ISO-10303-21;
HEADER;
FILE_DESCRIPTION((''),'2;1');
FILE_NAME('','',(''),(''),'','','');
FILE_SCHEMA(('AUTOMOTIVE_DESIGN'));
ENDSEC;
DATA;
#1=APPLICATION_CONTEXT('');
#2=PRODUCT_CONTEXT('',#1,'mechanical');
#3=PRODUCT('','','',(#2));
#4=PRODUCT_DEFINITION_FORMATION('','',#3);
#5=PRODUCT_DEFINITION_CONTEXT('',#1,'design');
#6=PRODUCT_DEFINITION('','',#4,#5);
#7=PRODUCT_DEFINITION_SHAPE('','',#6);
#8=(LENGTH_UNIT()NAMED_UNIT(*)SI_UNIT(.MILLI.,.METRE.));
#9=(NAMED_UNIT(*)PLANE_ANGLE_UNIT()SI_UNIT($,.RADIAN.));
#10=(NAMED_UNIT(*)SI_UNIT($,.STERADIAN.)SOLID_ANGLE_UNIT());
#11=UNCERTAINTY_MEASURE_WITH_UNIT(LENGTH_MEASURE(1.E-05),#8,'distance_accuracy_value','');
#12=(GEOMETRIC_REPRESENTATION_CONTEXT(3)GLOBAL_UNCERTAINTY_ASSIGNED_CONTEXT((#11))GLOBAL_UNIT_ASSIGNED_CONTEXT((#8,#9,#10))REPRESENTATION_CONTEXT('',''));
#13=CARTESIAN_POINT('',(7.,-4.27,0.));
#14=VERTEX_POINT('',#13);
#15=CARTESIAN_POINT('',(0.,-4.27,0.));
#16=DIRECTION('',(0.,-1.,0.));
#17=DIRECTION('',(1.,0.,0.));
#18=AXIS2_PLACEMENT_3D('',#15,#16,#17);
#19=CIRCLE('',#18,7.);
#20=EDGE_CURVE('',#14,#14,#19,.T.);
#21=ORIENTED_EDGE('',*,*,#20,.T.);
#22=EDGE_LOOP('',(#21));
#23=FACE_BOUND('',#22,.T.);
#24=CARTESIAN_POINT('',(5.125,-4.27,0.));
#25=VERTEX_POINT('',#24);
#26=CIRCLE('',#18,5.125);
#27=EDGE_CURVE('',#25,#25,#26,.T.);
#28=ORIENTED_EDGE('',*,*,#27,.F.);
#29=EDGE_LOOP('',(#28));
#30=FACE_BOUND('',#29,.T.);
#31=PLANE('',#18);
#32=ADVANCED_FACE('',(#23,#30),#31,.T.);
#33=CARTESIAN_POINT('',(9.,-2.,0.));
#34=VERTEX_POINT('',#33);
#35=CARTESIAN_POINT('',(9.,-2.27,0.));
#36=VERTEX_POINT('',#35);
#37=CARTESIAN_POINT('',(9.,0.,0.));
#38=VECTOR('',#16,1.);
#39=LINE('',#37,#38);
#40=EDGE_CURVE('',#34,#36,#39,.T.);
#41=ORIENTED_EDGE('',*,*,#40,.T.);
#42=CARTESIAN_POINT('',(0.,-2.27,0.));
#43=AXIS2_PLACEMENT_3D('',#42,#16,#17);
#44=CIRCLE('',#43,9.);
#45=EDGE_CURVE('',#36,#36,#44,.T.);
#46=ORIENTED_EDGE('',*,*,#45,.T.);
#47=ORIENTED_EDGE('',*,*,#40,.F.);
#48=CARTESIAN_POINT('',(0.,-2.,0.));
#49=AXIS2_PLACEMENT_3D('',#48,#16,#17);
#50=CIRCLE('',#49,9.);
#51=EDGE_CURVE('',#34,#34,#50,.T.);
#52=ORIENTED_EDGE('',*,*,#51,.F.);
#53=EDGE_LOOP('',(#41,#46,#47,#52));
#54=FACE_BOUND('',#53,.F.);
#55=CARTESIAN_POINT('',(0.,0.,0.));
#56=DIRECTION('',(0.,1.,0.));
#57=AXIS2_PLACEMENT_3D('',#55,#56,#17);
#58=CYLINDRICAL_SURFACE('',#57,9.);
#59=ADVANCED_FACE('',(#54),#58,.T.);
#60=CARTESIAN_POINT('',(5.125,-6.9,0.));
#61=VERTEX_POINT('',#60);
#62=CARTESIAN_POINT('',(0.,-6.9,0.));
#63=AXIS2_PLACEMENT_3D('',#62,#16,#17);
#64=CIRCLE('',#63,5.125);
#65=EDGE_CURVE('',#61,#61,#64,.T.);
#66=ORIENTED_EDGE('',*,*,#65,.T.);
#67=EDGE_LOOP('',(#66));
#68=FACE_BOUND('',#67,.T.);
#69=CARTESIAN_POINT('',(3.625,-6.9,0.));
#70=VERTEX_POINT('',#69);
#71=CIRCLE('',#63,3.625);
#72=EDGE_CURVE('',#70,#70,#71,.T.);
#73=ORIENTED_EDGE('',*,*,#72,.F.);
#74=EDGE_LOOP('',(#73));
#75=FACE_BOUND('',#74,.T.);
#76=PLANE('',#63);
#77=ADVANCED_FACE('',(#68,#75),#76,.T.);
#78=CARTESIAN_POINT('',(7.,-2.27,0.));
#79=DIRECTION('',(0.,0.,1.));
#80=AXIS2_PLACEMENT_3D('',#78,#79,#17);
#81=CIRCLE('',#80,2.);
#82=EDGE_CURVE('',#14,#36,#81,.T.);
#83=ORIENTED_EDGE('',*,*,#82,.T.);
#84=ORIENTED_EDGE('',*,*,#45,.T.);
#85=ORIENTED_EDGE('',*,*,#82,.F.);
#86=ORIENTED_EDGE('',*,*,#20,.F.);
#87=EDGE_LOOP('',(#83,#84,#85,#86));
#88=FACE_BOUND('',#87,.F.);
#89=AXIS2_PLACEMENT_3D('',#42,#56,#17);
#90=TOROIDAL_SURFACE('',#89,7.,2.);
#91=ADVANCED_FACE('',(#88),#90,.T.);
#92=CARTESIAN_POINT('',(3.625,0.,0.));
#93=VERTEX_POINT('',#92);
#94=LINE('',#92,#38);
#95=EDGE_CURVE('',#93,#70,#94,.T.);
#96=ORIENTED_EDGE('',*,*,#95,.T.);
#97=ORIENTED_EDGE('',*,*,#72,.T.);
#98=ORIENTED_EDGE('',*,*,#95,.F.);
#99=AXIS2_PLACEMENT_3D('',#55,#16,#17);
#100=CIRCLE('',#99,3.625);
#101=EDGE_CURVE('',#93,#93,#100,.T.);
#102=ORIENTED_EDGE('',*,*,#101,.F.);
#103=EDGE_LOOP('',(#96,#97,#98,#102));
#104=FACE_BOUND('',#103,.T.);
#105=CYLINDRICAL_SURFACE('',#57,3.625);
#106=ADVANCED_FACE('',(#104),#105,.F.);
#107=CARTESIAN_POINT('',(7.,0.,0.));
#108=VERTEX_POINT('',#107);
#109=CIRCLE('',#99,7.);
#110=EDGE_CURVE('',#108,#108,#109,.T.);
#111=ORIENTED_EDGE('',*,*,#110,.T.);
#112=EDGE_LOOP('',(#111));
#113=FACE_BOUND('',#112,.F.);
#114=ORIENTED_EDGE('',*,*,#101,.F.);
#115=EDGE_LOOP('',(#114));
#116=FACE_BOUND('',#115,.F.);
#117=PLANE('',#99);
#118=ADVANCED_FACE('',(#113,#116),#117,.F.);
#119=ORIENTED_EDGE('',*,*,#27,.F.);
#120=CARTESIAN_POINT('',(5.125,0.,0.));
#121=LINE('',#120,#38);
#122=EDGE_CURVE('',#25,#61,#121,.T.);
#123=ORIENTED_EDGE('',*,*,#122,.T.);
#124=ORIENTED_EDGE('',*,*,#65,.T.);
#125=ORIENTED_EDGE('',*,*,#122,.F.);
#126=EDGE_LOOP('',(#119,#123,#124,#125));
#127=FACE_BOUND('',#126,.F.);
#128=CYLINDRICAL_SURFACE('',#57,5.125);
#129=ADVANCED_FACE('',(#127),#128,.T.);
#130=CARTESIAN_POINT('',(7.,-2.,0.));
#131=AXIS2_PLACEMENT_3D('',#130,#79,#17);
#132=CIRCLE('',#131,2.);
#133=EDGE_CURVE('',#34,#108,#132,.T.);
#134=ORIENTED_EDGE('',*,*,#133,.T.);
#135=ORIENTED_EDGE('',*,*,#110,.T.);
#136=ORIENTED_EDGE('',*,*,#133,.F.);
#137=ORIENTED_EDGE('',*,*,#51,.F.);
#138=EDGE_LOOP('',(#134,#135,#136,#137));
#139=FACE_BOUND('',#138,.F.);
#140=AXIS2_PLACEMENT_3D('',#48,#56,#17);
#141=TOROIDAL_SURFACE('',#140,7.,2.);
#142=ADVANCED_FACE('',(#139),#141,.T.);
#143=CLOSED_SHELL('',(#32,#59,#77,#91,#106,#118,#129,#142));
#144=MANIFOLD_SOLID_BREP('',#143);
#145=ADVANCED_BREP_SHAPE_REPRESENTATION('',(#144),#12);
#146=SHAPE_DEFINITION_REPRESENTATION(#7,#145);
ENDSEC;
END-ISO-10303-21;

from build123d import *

# Parameters (mm, degrees)
F0_R     = 9
F0_R_2   = 5.125
F1_DEPTH = 4.27
F0_R_3   = 3.625
F2_DEPTH = 6.9
F3_R     = 2


with BuildPart() as f1:
    # F0 (on Front) → F1 (new body)
    with BuildSketch(Plane.XZ):
        Circle(F0_R)
        Circle(F0_R_2, mode=Mode.SUBTRACT)
    extrude(amount=F1_DEPTH)

    # F0 (on Front) → F2 (join)
    with BuildSketch(Plane.XZ):
        Circle(F0_R_2)
        Circle(F0_R_3, mode=Mode.SUBTRACT)
    extrude(amount=F2_DEPTH)

    # F3
    f3_edges = [f1.edges().sort_by_distance(p)[0] for p in [
        (-9, -4.27, 0),
        (-9, 0, 0),
    ]]
    fillet(f3_edges, radius=F3_R)


solid = f1.part
